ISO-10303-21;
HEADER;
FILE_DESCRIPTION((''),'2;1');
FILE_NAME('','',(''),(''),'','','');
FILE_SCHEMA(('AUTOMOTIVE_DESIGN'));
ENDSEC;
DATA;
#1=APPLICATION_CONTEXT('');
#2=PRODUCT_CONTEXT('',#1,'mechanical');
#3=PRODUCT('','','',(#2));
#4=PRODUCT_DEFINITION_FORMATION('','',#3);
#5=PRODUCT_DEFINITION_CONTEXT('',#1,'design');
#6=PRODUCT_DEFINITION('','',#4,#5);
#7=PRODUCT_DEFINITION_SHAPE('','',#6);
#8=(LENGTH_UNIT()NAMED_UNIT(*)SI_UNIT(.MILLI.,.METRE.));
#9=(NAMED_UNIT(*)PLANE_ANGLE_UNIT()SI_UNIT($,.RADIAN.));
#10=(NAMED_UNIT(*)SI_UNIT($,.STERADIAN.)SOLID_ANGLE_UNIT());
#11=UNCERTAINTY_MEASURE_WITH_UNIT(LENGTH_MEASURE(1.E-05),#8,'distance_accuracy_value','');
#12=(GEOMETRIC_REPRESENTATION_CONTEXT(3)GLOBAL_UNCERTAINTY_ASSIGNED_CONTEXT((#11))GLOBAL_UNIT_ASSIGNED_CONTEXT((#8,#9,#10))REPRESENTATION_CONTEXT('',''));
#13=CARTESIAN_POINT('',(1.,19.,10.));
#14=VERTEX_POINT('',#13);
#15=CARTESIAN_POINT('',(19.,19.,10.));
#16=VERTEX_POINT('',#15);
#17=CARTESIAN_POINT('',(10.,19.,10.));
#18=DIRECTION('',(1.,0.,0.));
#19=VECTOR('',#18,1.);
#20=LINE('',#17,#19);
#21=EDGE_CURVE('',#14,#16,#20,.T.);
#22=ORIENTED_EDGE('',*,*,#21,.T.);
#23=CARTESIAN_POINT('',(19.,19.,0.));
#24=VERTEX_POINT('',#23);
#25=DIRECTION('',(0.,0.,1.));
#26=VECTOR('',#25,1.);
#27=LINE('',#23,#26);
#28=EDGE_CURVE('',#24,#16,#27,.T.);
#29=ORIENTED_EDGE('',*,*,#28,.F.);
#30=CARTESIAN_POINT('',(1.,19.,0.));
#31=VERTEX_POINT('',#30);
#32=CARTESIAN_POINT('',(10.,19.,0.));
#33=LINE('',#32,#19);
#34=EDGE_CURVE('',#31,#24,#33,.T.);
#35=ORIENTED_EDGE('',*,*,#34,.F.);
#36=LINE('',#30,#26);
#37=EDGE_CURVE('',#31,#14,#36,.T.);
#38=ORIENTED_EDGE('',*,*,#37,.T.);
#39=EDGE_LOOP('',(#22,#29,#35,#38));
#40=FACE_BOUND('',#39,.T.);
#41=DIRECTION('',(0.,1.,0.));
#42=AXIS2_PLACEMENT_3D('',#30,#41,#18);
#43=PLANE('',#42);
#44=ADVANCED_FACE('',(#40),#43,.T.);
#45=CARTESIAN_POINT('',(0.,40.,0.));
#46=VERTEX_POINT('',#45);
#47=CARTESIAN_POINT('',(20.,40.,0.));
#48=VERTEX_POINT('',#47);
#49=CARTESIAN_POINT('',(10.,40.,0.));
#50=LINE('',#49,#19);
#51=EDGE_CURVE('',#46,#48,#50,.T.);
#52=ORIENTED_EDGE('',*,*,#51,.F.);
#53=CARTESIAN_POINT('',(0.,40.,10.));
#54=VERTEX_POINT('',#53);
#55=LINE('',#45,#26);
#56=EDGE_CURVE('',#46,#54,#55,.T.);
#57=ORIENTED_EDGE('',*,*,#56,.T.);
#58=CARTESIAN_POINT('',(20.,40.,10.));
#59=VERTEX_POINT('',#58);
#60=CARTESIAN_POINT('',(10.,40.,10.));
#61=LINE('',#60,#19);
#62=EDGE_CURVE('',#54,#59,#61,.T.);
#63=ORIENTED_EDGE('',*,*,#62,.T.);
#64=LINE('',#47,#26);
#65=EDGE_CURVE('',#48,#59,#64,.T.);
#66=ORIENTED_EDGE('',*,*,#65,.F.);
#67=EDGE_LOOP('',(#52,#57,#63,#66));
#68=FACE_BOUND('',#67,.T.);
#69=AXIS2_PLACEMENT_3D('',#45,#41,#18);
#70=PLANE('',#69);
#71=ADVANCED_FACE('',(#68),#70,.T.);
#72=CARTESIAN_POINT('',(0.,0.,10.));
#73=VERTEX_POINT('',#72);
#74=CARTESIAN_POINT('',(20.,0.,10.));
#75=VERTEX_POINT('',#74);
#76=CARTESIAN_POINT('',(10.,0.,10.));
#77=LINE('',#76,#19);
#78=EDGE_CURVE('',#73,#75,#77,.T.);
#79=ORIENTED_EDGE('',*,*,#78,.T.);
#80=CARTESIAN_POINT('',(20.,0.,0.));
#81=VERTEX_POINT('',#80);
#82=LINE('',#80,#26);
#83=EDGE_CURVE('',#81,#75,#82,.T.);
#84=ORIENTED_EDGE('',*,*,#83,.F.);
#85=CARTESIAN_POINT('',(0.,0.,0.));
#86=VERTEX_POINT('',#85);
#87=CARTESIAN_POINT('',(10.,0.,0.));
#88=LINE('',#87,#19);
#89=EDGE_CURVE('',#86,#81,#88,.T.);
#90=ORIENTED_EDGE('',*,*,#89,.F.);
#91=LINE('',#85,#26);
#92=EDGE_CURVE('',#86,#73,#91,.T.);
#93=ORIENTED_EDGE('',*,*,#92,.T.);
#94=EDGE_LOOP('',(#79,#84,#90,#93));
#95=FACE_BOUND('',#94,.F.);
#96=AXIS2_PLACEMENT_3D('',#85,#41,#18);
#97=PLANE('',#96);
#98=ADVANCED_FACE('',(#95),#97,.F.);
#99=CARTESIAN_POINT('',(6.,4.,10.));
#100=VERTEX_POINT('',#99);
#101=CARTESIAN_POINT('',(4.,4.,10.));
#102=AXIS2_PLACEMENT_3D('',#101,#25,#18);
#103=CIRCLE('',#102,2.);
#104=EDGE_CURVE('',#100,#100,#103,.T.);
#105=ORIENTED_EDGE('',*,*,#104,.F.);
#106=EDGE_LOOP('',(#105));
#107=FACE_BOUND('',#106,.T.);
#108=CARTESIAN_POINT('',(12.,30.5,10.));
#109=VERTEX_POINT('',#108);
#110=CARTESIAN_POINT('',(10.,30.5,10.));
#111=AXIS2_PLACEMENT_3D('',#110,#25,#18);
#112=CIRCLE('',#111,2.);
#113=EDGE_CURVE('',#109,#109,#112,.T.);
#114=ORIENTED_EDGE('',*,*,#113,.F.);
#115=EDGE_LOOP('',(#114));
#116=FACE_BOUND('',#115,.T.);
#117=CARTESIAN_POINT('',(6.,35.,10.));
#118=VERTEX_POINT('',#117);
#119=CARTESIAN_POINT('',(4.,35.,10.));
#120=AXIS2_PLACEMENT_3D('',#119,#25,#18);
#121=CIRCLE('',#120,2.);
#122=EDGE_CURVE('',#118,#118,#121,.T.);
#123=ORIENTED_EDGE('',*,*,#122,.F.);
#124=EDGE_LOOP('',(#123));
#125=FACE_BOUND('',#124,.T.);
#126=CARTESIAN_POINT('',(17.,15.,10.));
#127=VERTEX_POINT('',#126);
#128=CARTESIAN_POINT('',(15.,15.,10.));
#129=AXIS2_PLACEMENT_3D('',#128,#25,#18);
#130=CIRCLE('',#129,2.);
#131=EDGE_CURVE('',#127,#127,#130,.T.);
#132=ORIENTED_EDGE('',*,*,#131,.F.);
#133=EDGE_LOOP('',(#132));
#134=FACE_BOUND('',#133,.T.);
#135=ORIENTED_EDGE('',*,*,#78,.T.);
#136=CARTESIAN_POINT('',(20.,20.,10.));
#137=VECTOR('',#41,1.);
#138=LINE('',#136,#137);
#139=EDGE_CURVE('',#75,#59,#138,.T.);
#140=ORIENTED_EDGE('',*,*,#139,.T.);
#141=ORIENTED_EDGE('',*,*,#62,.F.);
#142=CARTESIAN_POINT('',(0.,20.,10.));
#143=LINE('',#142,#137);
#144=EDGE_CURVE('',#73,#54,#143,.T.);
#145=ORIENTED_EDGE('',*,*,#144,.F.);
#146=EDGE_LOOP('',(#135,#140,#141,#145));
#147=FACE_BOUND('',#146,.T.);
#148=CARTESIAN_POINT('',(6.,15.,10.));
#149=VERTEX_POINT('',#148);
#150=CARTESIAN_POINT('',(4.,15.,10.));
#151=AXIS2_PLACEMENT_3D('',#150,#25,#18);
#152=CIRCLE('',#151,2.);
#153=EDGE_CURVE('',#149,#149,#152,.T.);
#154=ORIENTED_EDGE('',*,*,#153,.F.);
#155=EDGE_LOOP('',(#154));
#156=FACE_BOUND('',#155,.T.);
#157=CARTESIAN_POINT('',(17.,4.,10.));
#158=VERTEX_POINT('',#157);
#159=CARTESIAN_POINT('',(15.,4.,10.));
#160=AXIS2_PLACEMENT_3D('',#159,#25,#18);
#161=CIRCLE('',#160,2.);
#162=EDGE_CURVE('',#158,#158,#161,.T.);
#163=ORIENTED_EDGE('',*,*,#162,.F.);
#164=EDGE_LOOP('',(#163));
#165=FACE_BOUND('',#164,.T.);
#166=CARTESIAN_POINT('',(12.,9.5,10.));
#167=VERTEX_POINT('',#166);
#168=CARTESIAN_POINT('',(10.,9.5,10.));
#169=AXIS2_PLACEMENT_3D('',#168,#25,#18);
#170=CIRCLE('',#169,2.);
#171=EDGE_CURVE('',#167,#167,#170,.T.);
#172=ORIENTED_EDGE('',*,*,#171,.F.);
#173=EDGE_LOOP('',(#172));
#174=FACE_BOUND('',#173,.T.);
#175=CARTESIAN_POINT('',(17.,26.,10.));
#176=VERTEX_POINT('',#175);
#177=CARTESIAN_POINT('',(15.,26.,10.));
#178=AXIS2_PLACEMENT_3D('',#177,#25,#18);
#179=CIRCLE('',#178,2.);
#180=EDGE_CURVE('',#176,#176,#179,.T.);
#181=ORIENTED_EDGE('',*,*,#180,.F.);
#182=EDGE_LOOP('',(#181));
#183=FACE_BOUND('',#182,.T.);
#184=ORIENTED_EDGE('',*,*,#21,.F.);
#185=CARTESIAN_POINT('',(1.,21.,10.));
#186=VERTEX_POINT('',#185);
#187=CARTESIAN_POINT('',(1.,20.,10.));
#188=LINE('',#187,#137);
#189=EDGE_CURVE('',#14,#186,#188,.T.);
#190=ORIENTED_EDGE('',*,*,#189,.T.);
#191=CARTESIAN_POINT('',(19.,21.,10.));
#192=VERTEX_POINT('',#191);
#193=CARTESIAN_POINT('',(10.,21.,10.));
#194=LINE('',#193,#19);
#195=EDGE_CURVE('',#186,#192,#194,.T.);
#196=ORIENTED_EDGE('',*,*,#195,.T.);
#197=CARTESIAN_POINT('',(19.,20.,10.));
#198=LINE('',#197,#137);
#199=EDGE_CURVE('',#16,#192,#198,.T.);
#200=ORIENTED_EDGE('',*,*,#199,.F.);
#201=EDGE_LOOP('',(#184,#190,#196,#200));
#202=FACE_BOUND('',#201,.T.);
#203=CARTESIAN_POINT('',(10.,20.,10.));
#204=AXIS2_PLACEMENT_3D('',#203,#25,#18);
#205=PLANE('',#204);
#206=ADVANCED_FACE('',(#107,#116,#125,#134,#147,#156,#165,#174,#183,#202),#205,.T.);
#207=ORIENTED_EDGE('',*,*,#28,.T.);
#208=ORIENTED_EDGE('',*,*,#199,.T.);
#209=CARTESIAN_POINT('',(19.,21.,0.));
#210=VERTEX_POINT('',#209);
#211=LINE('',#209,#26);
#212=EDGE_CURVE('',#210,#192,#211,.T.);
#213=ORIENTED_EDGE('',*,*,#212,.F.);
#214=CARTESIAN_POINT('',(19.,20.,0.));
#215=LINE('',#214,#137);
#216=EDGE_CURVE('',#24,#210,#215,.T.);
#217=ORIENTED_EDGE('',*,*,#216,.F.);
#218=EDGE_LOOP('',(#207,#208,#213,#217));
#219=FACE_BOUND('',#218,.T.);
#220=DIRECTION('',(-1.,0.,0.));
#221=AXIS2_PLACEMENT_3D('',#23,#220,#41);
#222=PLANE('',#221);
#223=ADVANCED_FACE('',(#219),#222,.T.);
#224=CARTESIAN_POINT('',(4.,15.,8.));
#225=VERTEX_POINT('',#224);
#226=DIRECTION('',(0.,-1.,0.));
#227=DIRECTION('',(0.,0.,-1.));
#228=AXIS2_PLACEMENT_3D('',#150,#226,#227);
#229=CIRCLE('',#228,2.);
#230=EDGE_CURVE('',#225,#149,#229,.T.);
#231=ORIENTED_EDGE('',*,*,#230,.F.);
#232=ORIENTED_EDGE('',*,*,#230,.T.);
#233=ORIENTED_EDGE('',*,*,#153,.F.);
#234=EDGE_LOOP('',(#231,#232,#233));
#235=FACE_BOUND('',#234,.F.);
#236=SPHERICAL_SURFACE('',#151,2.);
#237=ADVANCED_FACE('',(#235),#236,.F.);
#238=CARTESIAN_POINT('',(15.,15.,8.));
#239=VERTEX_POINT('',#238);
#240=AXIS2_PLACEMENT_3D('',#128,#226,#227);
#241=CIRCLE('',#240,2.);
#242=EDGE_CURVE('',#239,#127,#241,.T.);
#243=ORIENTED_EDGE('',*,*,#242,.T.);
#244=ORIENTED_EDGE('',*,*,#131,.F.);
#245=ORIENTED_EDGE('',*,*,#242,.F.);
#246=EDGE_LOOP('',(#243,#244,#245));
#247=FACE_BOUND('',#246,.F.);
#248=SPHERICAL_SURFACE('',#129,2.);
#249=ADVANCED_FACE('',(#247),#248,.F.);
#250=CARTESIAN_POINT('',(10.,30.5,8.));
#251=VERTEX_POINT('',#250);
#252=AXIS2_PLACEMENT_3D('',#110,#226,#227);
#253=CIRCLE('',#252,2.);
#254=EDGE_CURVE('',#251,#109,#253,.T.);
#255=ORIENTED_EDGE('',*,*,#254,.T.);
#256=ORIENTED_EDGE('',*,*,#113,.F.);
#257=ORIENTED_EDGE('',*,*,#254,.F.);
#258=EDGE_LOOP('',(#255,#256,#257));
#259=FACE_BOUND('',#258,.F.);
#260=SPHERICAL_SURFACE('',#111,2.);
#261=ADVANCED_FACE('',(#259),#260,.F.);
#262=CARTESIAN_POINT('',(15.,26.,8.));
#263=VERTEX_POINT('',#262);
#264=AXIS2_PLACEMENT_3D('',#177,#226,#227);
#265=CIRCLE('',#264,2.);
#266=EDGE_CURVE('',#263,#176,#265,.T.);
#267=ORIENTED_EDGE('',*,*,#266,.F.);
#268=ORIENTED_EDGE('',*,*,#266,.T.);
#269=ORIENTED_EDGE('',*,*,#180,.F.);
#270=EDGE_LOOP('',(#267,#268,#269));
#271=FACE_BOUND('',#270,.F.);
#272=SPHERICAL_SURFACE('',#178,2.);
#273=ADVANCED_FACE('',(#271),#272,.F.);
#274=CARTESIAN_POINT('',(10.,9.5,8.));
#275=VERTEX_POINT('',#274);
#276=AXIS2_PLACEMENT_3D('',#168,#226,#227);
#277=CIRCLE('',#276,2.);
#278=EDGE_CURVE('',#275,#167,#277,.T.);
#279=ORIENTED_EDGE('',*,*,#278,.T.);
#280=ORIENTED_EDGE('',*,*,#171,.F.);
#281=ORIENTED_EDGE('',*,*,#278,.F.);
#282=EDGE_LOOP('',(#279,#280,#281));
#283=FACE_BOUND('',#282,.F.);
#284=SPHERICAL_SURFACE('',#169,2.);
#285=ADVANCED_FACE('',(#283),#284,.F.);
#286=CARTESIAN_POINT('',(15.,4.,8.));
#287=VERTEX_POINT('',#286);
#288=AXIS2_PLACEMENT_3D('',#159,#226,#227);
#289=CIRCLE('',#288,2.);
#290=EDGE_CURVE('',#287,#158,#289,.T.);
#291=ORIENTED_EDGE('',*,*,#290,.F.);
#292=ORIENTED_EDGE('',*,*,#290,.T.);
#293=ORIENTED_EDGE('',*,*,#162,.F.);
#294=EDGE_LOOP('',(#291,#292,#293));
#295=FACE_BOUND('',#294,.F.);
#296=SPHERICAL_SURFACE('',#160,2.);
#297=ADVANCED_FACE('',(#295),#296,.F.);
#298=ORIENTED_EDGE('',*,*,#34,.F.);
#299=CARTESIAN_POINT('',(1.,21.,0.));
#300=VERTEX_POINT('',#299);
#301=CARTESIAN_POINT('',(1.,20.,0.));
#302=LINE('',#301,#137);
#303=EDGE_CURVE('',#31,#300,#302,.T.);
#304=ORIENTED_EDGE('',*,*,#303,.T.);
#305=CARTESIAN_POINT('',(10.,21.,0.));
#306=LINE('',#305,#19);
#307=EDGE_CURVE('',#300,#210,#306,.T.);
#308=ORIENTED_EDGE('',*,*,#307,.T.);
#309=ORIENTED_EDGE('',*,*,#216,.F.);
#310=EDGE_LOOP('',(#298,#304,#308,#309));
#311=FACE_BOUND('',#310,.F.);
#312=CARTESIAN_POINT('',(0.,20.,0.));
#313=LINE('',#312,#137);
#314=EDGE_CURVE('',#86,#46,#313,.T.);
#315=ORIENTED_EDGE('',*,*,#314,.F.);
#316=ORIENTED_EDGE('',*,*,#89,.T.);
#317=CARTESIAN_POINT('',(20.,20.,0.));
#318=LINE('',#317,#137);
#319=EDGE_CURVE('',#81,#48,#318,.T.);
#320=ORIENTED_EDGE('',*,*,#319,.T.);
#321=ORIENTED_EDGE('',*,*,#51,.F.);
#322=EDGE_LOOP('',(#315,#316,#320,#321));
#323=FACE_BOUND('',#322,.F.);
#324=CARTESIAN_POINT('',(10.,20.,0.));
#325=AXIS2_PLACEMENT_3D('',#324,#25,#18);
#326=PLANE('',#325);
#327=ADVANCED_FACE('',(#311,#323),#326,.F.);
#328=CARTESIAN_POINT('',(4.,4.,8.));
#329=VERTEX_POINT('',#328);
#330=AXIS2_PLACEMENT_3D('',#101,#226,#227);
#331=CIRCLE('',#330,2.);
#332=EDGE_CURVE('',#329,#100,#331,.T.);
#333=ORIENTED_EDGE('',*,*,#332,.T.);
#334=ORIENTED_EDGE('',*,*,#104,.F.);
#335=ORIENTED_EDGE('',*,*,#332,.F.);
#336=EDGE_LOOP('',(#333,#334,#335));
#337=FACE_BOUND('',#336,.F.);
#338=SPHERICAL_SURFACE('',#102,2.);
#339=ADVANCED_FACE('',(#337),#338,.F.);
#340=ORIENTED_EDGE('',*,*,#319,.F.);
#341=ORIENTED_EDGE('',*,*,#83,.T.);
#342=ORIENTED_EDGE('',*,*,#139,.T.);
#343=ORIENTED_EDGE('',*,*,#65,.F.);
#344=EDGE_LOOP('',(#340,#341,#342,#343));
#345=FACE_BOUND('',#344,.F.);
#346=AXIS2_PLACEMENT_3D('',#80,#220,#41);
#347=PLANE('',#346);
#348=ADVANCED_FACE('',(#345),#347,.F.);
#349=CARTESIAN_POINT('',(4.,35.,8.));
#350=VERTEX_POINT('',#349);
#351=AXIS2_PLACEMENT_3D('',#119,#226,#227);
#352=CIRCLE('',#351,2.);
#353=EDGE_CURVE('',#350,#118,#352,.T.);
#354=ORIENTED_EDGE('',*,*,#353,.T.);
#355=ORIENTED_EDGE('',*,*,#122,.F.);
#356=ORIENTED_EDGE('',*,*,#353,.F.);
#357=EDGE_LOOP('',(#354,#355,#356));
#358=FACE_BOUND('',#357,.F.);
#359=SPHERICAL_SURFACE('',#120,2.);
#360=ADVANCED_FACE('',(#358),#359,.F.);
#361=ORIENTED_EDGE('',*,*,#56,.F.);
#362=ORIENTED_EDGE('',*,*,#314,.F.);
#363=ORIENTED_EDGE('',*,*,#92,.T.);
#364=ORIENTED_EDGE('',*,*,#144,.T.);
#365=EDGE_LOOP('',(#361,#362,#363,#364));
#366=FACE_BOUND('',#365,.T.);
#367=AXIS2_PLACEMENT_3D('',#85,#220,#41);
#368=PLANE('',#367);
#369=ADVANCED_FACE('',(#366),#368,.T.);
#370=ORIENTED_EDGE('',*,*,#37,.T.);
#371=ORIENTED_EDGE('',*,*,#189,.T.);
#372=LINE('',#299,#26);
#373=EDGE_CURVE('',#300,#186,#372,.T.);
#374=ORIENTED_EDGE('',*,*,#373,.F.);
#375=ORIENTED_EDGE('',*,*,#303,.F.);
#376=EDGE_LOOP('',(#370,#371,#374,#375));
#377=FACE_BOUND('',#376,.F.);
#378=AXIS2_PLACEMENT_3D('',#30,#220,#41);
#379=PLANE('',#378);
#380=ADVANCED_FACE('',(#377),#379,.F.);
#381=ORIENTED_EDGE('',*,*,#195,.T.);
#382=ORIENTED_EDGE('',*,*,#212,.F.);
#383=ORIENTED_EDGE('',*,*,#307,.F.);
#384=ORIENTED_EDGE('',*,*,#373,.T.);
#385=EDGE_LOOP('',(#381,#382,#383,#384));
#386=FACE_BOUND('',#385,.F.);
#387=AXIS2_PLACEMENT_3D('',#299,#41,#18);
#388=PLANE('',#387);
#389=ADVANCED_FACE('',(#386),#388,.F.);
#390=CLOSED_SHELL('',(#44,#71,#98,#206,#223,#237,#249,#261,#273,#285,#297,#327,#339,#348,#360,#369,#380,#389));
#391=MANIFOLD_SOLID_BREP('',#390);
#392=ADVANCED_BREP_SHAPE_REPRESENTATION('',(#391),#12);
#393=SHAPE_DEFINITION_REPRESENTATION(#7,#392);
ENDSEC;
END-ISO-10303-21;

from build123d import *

# Parameters (mm, degrees)
BOX001_W     = 18
BOX001_H     = 2
BOX001_DEPTH = 10
BOX_W        = 20
BOX_H        = 40
BOX_DEPTH    = 10


with BuildPart() as sphere001:
    # Sphere001 → Sphere001 (revolve)
    with BuildSketch(Plane(origin=(4, 4, 10), x_dir=(1, 0, 0), z_dir=(0, -1, 0))):
        with BuildLine():
            ThreePointArc((0, -2), (2, 0), (0, 2))
            Line((0, 2), (0, -2))
        make_face()
    revolve(axis=Axis((4, 4, 10), (0, 0, 1)))


with BuildPart() as sphere002:
    # Sphere002 → Sphere002 (revolve)
    with BuildSketch(Plane(origin=(15, 4, 10), x_dir=(1, 0, 0), z_dir=(0, -1, 0))):
        with BuildLine():
            ThreePointArc((0, -2), (2, 0), (0, 2))
            Line((0, 2), (0, -2))
        make_face()
    revolve(axis=Axis((15, 4, 10), (0, 0, 1)))


with BuildPart() as sphere003:
    # Sphere003 → Sphere003 (revolve)
    with BuildSketch(Plane(origin=(4, 35, 10), x_dir=(1, 0, 0), z_dir=(0, -1, 0))):
        with BuildLine():
            ThreePointArc((0, -2), (2, 0), (0, 2))
            Line((0, 2), (0, -2))
        make_face()
    revolve(axis=Axis((4, 35, 10), (0, 0, 1)))


with BuildPart() as sphere004:
    # Sphere004 → Sphere004 (revolve)
    with BuildSketch(Plane(origin=(15, 15, 10), x_dir=(1, 0, 0), z_dir=(0, -1, 0))):
        with BuildLine():
            ThreePointArc((0, -2), (2, 0), (0, 2))
            Line((0, 2), (0, -2))
        make_face()
    revolve(axis=Axis((15, 15, 10), (0, 0, 1)))


with BuildPart() as sphere005:
    # Sphere005 → Sphere005 (revolve)
    with BuildSketch(Plane(origin=(10, 30.5, 10), x_dir=(1, 0, 0), z_dir=(0, -1, 0))):
        with BuildLine():
            ThreePointArc((0, -2), (2, 0), (0, 2))
            Line((0, 2), (0, -2))
        make_face()
    revolve(axis=Axis((10, 30.5, 10), (0, 0, 1)))


with BuildPart() as sphere006:
    # Sphere006 → Sphere006 (revolve)
    with BuildSketch(Plane(origin=(4, 15, 10), x_dir=(1, 0, 0), z_dir=(0, -1, 0))):
        with BuildLine():
            ThreePointArc((0, -2), (2, 0), (0, 2))
            Line((0, 2), (0, -2))
        make_face()
    revolve(axis=Axis((4, 15, 10), (0, 0, 1)))


with BuildPart() as sphere007:
    # Sphere007 → Sphere007 (revolve)
    with BuildSketch(Plane(origin=(15, 26, 10), x_dir=(1, 0, 0), z_dir=(0, -1, 0))):
        with BuildLine():
            ThreePointArc((0, -2), (2, 0), (0, 2))
            Line((0, 2), (0, -2))
        make_face()
    revolve(axis=Axis((15, 26, 10), (0, 0, 1)))


with BuildPart() as sphere:
    # Sphere → Sphere (revolve)
    with BuildSketch(Plane(origin=(10, 9.5, 10), x_dir=(1, 0, 0), z_dir=(0, -1, 0))):
        with BuildLine():
            ThreePointArc((0, -2), (2, 0), (0, 2))
            Line((0, 2), (0, -2))
        make_face()
    revolve(axis=Axis((10, 9.5, 10), (0, 0, 1)))


with BuildPart() as cube001:
    # Box001 → Box001 (new body)
    with BuildSketch(Plane(origin=(1, 19, 0), x_dir=(1, 0, 0), z_dir=(0, 0, 1))):
        with Locations((9, 1)):
            Rectangle(BOX001_W, BOX001_H)
    extrude(amount=BOX001_DEPTH)


with BuildPart() as cut008:
    # Box → Box (new body)
    with BuildSketch(Plane.XY):
        with Locations((10, 20)):
            Rectangle(BOX_W, BOX_H)
    extrude(amount=BOX_DEPTH)

    # Cut: cut Cube001
    add(cube001.part, mode=Mode.SUBTRACT)

    # Cut001: cut Sphere
    add(sphere.part, mode=Mode.SUBTRACT)

    # Cut002: cut Sphere007
    add(sphere007.part, mode=Mode.SUBTRACT)

    # Cut003: cut Sphere006
    add(sphere006.part, mode=Mode.SUBTRACT)

    # Cut004: cut Sphere005
    add(sphere005.part, mode=Mode.SUBTRACT)

    # Cut005: cut Sphere004
    add(sphere004.part, mode=Mode.SUBTRACT)

    # Cut006: cut Sphere003
    add(sphere003.part, mode=Mode.SUBTRACT)

    # Cut007: cut Sphere002
    add(sphere002.part, mode=Mode.SUBTRACT)

    # Cut008: cut Sphere001
    add(sphere001.part, mode=Mode.SUBTRACT)


solid = cut008.part
